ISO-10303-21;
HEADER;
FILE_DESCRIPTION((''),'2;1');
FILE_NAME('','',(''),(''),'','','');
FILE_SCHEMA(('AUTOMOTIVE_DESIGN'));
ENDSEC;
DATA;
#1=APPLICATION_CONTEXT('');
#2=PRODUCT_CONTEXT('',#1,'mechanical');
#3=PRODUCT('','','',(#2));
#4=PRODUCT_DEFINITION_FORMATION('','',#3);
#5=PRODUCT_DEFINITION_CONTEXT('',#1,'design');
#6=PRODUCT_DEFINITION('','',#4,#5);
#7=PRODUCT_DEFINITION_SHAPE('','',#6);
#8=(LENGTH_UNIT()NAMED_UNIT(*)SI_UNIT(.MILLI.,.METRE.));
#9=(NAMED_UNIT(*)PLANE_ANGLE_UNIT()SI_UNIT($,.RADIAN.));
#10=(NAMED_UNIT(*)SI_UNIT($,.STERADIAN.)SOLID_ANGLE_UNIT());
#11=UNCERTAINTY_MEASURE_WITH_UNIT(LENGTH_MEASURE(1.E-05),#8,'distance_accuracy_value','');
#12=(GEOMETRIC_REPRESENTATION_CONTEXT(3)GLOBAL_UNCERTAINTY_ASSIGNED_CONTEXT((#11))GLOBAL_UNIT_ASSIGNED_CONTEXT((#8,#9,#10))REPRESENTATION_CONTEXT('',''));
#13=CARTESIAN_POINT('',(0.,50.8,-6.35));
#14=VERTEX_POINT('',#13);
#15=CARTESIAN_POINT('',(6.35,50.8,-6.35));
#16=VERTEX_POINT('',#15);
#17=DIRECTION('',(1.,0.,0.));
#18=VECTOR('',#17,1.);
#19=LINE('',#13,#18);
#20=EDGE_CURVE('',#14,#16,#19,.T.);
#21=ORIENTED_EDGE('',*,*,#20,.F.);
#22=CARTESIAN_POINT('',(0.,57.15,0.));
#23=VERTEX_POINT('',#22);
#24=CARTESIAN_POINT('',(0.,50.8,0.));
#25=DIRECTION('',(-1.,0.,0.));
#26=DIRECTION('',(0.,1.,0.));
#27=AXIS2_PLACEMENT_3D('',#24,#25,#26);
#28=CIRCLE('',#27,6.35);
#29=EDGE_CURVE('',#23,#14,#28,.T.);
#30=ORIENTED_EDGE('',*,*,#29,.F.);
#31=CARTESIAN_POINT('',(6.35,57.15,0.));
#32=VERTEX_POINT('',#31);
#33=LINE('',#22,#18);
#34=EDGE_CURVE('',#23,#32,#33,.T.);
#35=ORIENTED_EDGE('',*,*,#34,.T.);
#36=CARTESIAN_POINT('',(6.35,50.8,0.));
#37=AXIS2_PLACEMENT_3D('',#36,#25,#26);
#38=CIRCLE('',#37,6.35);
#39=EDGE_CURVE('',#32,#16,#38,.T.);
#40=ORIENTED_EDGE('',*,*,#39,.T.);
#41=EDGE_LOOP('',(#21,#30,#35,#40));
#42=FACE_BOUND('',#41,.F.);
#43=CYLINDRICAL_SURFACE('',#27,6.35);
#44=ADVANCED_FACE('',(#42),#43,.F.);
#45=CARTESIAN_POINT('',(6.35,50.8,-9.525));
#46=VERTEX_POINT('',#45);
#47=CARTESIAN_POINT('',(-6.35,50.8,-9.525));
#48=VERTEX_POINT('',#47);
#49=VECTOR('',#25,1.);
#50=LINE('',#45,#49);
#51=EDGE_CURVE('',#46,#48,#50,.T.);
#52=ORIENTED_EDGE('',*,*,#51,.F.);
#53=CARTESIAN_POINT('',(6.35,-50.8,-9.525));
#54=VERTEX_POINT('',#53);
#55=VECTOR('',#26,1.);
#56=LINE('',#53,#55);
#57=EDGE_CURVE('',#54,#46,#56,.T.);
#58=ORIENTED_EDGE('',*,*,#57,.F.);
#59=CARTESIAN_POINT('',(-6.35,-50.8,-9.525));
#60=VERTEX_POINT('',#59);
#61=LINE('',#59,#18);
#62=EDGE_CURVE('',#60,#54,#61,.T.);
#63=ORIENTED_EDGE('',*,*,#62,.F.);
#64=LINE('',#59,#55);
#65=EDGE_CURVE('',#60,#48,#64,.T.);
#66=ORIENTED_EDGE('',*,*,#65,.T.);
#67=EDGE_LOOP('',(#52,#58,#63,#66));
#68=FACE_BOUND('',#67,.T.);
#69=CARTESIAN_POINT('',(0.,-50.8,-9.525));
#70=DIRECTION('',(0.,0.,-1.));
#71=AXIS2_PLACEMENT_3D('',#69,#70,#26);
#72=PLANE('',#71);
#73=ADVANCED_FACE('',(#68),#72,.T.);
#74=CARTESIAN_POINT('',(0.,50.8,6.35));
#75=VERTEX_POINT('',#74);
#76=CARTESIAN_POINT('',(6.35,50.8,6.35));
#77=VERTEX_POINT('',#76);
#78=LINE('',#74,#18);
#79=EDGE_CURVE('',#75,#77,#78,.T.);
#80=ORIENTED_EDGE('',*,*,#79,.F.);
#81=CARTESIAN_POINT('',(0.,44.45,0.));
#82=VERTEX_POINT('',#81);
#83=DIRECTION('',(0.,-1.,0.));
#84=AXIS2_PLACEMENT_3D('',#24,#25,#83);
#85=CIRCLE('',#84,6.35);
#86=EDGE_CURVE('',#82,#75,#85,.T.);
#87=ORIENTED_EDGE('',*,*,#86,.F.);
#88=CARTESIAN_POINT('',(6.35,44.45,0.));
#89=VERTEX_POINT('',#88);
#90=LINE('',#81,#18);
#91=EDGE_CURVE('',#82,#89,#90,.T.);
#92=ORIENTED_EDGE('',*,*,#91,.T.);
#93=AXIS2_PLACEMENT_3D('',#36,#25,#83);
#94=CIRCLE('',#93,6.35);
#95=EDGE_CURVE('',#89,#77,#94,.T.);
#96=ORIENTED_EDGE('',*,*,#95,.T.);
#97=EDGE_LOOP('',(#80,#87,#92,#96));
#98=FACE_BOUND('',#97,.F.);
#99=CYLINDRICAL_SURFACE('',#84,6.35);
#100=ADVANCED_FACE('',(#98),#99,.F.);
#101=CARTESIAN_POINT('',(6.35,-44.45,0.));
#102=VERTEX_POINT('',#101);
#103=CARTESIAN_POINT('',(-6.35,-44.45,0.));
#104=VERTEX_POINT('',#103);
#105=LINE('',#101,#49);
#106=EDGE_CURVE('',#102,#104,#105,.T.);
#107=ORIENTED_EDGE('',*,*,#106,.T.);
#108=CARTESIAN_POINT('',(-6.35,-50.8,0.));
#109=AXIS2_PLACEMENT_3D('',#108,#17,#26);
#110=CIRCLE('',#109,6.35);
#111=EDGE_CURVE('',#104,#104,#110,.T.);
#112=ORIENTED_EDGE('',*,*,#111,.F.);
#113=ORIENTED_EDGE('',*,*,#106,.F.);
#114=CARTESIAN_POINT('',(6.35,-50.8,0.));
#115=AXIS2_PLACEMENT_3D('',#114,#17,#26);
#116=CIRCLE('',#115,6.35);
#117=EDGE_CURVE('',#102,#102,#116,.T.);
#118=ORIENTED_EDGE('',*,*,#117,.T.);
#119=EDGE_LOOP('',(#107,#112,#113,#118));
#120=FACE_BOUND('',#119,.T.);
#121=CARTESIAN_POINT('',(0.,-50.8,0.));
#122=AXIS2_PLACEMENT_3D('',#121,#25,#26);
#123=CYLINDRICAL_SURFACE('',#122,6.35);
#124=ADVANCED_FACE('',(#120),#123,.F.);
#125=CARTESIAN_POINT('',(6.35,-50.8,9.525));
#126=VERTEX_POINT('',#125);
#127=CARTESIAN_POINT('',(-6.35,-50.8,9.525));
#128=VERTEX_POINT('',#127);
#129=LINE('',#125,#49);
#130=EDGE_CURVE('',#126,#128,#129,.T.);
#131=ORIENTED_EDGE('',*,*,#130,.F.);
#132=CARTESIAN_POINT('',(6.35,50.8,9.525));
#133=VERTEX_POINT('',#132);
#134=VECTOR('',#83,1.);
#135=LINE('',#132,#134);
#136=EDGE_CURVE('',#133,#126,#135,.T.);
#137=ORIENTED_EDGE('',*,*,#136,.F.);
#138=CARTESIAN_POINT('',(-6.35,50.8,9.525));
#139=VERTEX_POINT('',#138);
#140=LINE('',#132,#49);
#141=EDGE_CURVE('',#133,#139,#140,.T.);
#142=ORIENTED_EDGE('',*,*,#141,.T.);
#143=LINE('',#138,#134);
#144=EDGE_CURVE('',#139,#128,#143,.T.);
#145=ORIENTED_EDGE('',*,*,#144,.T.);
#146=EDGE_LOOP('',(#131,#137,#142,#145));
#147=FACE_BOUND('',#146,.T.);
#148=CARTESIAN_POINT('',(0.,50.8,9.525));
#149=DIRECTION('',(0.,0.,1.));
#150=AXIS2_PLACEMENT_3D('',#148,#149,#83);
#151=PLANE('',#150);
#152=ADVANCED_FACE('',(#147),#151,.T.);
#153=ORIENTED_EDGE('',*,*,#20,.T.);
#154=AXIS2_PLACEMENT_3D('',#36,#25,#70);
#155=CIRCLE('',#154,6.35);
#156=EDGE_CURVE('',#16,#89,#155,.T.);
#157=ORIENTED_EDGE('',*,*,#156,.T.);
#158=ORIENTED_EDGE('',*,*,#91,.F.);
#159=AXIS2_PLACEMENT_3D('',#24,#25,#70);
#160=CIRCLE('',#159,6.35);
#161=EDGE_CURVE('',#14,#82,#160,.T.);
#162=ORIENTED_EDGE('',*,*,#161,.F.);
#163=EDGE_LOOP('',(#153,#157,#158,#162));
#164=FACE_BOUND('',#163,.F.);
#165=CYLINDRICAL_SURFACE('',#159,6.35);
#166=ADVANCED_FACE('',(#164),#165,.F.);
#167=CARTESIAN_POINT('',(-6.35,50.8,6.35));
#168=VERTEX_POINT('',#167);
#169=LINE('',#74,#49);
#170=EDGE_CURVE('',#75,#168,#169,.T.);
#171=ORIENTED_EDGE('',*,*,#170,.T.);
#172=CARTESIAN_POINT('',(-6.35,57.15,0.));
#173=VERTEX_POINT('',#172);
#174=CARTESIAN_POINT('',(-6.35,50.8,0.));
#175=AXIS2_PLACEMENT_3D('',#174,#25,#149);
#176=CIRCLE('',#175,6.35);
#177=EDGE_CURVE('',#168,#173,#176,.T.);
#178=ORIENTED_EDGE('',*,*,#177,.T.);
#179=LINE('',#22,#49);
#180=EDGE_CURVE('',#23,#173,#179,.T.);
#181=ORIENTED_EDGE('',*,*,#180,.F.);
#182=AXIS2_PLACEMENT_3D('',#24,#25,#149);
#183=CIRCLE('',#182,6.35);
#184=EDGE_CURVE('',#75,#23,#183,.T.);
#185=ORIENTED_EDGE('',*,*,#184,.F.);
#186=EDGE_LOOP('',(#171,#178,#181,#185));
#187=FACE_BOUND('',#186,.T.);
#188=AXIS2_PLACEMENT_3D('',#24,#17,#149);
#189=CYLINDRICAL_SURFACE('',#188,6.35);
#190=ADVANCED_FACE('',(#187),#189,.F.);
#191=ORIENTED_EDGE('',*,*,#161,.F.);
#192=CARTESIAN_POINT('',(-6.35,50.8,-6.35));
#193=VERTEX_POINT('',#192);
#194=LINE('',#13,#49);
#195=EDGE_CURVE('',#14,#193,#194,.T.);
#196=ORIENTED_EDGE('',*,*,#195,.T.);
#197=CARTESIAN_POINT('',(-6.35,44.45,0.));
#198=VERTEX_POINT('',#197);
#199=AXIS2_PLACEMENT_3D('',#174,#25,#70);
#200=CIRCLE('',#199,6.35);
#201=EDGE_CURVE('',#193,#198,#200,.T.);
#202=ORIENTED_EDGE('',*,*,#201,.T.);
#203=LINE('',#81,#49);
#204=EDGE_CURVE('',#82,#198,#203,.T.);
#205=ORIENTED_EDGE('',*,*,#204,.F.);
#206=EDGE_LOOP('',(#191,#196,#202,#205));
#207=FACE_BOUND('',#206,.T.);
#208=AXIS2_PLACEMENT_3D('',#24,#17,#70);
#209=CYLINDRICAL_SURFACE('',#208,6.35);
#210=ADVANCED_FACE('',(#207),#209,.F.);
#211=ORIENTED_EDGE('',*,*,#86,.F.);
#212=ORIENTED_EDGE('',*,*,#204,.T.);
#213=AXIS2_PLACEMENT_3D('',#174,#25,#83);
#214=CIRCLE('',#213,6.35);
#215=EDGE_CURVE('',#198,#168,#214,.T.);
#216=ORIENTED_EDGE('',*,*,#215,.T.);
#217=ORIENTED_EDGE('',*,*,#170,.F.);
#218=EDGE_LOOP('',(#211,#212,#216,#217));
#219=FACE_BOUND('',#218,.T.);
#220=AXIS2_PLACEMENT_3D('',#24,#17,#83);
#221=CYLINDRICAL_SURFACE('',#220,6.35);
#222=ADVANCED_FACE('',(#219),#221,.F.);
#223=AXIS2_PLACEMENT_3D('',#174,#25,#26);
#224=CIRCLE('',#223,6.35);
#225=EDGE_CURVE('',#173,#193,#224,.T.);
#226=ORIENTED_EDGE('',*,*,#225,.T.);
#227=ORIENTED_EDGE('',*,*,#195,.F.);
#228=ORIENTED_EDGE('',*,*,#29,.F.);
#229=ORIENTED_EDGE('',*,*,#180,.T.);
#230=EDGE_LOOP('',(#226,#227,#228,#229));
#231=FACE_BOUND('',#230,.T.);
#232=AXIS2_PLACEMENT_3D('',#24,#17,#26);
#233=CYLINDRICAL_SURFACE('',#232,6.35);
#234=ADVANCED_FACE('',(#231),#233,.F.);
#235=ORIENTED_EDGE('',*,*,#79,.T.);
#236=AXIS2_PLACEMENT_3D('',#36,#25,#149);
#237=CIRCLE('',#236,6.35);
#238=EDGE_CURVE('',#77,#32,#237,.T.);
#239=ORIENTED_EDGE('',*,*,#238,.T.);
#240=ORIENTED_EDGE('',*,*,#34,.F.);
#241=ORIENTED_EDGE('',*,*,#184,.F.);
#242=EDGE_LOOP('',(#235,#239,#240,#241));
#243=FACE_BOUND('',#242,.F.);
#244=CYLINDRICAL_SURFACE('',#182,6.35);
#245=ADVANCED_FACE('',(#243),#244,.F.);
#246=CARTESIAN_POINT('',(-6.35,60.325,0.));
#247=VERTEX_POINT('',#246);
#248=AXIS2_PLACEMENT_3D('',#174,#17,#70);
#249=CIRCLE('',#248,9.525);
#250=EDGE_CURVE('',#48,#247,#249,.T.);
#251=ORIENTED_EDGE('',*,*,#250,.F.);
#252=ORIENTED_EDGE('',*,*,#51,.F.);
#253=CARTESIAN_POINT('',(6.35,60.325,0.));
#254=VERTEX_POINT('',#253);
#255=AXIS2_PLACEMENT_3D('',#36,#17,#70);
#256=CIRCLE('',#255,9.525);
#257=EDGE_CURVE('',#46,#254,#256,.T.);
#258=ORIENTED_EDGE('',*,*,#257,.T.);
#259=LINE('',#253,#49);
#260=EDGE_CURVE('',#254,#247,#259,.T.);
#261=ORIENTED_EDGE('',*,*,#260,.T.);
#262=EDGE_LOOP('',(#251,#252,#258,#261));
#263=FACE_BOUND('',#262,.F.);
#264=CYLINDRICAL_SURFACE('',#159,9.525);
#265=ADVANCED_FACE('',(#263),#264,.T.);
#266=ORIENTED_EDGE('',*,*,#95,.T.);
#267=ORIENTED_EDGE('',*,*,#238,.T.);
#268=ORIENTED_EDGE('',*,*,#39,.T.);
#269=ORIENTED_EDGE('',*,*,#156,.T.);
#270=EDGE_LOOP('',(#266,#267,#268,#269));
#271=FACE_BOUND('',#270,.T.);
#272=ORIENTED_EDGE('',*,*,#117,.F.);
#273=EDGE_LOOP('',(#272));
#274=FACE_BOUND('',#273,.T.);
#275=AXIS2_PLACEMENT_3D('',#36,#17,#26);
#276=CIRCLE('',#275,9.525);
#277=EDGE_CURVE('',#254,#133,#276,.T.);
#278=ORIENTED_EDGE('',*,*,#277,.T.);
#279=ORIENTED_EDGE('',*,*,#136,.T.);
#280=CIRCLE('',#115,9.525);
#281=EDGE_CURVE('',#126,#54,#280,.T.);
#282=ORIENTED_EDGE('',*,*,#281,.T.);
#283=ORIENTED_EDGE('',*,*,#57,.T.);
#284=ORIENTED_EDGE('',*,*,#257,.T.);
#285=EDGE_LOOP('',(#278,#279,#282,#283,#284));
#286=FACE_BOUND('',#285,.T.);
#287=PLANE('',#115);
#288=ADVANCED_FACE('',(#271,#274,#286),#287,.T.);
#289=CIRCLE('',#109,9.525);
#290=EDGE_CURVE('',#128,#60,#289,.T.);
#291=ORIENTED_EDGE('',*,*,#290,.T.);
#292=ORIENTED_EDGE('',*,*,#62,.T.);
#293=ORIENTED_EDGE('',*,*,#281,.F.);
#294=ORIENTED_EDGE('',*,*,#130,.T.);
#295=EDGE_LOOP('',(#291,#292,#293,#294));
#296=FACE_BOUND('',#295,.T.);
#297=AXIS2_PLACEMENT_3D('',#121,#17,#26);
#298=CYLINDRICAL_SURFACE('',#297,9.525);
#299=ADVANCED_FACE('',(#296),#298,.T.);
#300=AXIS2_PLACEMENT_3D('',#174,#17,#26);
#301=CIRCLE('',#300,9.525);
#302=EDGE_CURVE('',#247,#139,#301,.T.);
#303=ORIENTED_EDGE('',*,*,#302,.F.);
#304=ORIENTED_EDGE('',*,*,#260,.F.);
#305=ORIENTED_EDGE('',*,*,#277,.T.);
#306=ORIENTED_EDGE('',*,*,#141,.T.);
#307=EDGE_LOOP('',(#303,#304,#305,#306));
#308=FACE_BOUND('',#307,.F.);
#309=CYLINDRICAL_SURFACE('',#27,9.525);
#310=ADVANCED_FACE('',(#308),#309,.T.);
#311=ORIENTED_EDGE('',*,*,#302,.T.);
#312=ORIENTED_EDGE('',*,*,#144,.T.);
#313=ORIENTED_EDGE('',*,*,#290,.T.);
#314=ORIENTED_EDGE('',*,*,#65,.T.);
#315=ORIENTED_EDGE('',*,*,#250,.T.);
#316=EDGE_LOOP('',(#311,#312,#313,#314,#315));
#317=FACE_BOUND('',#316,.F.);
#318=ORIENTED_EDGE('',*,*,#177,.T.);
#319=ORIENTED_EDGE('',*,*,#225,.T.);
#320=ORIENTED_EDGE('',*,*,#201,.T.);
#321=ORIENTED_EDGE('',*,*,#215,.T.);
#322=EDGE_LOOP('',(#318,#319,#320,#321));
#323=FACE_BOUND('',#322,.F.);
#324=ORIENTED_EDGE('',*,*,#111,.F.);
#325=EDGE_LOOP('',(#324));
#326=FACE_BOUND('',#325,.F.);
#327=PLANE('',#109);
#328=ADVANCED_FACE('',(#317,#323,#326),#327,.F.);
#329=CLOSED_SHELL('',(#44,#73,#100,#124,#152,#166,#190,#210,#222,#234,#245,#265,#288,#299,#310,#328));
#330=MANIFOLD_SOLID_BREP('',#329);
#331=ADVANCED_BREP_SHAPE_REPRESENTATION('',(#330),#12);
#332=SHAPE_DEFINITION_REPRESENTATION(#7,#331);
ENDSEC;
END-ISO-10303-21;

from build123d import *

# Parameters (mm, degrees)
F0_R     = 6.35
F1_DEPTH = 6.35


with BuildPart() as f1:
    # F0 (on Right) → F1 (new body, symmetric)
    with BuildSketch(Plane.YZ):
        with BuildLine():
            ThreePointArc((-50.8, -9.525), (-44.0648079092, -6.7351920908), (-41.275, 0))
            ThreePointArc((-41.275, 0), (-44.0648079092, 6.7351920908), (-50.8, 9.525))
            ThreePointArc((-50.8, 9.525), (-60.325, 0), (-50.8, -9.525))
        make_face()
        with Locations((-50.8, 0)):
            Circle(F0_R, mode=Mode.SUBTRACT)
        with BuildLine():
            ThreePointArc((-50.8, 9.525), (-44.0648079092, 6.7351920908), (-41.275, 0))
            Line((-41.275, 0), (41.275, 0))
            ThreePointArc((41.275, 0), (44.0648079092, 6.7351920908), (50.8, 9.525))
            Line((50.8, 9.525), (-50.8, 9.525))
        make_face()
        with BuildLine():
            ThreePointArc((50.8, 9.525), (44.0648079092, 6.7351920908), (41.275, 0))
            Line((41.275, 0), (44.45, 0))
            ThreePointArc((44.45, 0), (46.3098719395, 4.4901280605), (50.8, 6.35))
            Line((50.8, 6.35), (50.8, 9.525))
        make_face()
        with BuildLine():
            ThreePointArc((60.325, 0), (57.5351920908, 6.7351920908), (50.8, 9.525))
            Line((50.8, 9.525), (50.8, 6.35))
            ThreePointArc((50.8, 6.35), (55.2901280605, 4.4901280605), (57.15, 0))
            ThreePointArc((57.15, 0), (55.2901280605, -4.4901280605), (50.8, -6.35))
            Line((50.8, -6.35), (50.8, -9.525))
            ThreePointArc((50.8, -9.525), (57.5351920908, -6.7351920908), (60.325, 0))
        make_face()
        with BuildLine():
            Line((44.45, 0), (41.275, 0))
            ThreePointArc((41.275, 0), (44.0648079092, -6.7351920908), (50.8, -9.525))
            Line((50.8, -9.525), (50.8, -6.35))
            ThreePointArc((50.8, -6.35), (46.3098719395, -4.4901280605), (44.45, 0))
        make_face()
        with BuildLine():
            Line((41.275, 0), (-41.275, 0))
            ThreePointArc((-41.275, 0), (-44.0648079092, -6.7351920908), (-50.8, -9.525))
            Line((-50.8, -9.525), (50.8, -9.525))
            ThreePointArc((50.8, -9.525), (44.0648079092, -6.7351920908), (41.275, 0))
        make_face()
    extrude(amount=F1_DEPTH, both=True)


solid = f1.part
